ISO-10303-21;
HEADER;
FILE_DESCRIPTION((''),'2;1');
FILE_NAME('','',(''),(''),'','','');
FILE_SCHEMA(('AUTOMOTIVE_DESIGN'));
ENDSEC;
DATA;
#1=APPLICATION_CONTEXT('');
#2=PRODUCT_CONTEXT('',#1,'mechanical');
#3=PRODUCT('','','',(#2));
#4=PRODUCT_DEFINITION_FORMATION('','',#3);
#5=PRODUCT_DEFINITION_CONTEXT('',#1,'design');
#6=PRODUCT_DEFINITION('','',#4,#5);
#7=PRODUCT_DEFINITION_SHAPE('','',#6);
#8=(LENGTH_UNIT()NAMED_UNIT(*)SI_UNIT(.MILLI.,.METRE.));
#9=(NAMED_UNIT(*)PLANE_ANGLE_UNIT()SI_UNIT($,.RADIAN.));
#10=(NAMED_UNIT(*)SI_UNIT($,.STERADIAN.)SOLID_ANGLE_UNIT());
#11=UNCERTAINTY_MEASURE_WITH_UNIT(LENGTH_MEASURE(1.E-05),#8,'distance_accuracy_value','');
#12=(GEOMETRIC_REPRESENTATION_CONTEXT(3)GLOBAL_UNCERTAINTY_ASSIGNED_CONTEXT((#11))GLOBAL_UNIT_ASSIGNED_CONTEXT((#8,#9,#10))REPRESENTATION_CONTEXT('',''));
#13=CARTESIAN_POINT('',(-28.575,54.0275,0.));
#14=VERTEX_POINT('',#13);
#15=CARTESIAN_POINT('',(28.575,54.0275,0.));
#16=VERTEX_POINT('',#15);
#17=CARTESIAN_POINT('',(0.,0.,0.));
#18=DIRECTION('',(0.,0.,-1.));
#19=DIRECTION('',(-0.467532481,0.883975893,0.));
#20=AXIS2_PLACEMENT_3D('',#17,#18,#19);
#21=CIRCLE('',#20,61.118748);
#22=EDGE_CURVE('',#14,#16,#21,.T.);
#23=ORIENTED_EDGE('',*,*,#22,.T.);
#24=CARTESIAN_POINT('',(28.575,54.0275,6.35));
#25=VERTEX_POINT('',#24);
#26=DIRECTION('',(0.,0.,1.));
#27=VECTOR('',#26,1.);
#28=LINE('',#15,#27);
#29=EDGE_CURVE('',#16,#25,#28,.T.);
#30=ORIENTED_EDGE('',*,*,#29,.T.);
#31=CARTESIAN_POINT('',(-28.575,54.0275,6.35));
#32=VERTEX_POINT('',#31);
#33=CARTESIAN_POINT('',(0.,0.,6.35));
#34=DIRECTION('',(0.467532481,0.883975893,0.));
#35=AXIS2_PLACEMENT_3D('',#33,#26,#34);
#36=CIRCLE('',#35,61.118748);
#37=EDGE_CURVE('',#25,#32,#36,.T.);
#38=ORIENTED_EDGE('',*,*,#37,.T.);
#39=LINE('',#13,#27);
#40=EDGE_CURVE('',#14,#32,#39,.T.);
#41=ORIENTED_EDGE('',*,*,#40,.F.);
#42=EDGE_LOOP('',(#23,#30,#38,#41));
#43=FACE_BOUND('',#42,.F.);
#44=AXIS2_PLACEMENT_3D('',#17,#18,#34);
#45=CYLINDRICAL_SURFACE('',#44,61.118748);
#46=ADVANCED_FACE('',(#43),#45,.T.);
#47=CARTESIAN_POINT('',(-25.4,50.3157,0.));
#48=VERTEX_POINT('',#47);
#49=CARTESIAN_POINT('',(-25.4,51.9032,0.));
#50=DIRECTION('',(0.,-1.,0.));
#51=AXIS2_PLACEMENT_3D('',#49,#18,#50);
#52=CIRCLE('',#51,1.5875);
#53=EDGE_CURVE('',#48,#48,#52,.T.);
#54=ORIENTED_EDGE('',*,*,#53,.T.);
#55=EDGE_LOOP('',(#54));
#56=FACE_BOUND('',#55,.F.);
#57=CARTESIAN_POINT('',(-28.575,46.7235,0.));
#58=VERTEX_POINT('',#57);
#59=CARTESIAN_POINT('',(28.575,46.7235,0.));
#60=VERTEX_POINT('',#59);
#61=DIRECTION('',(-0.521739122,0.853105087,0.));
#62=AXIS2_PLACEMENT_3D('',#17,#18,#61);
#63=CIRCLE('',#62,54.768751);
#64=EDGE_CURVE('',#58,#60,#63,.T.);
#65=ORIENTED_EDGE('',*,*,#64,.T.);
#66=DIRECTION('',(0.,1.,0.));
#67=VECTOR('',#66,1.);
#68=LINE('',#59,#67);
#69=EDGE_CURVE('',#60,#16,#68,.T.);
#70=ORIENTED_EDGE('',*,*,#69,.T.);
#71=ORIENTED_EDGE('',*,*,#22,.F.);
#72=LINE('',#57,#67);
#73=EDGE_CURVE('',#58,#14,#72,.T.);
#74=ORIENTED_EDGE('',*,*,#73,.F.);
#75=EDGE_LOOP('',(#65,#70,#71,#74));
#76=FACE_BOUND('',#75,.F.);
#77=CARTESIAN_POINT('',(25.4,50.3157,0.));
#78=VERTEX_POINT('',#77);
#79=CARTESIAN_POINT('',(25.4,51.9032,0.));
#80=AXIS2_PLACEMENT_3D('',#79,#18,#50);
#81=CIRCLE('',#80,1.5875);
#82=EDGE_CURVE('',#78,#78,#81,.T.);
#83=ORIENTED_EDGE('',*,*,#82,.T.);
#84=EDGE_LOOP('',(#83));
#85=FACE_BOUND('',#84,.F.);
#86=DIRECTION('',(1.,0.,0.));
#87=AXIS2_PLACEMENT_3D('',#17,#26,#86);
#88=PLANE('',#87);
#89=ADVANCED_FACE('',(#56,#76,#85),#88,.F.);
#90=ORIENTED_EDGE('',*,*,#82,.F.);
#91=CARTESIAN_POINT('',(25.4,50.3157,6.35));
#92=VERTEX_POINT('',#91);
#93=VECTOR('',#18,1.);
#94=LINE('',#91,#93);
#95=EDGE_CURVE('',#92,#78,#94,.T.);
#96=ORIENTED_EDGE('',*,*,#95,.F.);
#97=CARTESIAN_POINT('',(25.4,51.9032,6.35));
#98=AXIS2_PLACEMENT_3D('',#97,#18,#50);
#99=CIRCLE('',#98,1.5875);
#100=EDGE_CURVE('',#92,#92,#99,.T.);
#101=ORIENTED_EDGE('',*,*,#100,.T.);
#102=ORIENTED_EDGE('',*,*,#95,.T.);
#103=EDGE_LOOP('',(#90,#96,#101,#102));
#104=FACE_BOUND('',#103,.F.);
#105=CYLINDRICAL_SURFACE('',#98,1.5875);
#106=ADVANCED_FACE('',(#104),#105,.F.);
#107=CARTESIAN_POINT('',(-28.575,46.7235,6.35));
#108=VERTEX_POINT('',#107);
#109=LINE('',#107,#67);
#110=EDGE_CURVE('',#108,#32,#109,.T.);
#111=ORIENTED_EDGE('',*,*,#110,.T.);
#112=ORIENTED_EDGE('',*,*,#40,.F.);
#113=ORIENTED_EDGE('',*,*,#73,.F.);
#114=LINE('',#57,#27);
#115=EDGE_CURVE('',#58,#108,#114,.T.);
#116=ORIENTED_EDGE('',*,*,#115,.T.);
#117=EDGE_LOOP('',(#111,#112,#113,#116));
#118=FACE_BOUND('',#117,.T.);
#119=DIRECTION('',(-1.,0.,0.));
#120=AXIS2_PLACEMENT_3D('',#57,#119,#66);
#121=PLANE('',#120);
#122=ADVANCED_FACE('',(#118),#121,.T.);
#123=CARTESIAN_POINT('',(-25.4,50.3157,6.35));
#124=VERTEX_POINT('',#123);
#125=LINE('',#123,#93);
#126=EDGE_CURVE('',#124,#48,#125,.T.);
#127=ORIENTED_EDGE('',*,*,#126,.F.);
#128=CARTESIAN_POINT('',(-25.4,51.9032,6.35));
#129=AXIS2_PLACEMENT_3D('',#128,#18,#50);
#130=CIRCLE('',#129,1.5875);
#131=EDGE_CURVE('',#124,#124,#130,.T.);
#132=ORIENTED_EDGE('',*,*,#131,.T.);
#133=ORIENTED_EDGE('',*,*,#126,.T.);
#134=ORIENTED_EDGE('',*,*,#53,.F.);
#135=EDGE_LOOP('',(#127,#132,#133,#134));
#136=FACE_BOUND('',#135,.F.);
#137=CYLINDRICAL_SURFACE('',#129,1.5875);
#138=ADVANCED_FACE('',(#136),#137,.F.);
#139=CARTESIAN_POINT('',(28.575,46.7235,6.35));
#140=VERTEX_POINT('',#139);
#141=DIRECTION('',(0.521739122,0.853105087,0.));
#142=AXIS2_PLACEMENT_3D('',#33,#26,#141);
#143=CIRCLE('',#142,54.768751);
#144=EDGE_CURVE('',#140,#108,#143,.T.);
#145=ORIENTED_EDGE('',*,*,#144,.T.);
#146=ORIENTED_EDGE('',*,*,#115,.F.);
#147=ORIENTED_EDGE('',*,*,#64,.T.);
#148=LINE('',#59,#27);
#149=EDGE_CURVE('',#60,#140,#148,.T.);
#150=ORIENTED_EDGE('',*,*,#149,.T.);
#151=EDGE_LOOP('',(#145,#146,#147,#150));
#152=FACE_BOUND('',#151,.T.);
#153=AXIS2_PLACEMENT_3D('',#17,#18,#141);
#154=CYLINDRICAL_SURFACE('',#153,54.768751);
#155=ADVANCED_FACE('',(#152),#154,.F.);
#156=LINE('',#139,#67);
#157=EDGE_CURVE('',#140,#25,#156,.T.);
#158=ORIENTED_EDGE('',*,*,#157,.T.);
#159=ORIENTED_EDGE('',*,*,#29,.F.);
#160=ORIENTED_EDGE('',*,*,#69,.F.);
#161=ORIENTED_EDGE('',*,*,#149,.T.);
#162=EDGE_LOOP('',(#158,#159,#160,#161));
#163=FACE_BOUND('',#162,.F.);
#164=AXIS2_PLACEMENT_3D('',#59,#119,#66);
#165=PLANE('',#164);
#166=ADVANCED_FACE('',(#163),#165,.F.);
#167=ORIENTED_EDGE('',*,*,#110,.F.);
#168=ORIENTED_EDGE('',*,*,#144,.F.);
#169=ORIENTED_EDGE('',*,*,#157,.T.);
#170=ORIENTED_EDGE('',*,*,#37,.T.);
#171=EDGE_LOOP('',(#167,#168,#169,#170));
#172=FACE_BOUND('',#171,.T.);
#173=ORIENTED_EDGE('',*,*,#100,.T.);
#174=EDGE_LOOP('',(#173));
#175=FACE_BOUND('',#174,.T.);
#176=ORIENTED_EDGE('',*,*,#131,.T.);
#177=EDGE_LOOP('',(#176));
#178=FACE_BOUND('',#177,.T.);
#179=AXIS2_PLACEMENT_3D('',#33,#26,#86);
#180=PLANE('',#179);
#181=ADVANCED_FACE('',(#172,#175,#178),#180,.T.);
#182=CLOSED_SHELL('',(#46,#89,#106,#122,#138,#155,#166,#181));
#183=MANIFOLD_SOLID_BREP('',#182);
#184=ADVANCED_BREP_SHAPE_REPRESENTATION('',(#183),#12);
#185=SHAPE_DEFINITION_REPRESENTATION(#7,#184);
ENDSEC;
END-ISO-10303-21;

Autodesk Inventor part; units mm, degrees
ref_plane "YZ Plane" through (0, 0, 0) normal (1, 0, 0) x (0, 1, 0)
ref_plane "XZ Plane" through (0, 0, 0) normal (0, 1, 0) x (-1, 0, 0)
ref_plane "XY Plane" through (0, 0, 0) normal (0, 0, 1) x (1, 0, 0)
sketch "Sketch1" plane through (0, 0, 0) normal (0, 0, 1) x (1, 0, 0)
  line L0 (-75.565, 0) -> (75.565, 0) projected
  line L1 (0, -76.9938) -> (0, 84.1375) projected
  circle A0 centre (0, 0) radius 53.975 construction
  arc A1 (28.575, 46.7235) -> (-28.575, 46.7235) centre (0, 0) ccw
  arc A2 (28.575, 54.0275) -> (-28.575, 54.0275) centre (0, 0) ccw
  line L2 (-28.575, 46.7235) -> (-28.575, 54.0275)
  line L3 (28.575, 46.7235) -> (28.575, 54.0275)
  dimension "d0" = 107.95
  dimension "d1" = 0.7937
  dimension "d2" = 6.35
  dimension "d3" = 57.15
extrude "Extrusion1" add sketch "Sketch1" along normal blind 6.35
sketch "Sketch2" plane through (0, 0, 6.35) normal (0, 0, 1) x (1, 0, 0)
  line L0 (-28.575, 46.7235) -> (-28.575, 54.0275) projected
  arc A0 (28.575, 46.7235) -> (-28.575, 46.7235) centre (0, 0) ccw projected
  line L1 (28.575, 54.0275) -> (28.575, 46.7235) projected
  point P0 (25.4, 51.9032)
  point P1 (-25.4, 51.9032)
  dimension "d6" = 3.175
  dimension "d7" = 3.175
  dimension "d8" = 57.785
hole "Hole1" at (25.4, 51.9032, 6.35) at (-25.4, 51.9032, 6.35) direction (0, 0, -1) diameter 3.175 end through all
properties part number "motor stay top"
